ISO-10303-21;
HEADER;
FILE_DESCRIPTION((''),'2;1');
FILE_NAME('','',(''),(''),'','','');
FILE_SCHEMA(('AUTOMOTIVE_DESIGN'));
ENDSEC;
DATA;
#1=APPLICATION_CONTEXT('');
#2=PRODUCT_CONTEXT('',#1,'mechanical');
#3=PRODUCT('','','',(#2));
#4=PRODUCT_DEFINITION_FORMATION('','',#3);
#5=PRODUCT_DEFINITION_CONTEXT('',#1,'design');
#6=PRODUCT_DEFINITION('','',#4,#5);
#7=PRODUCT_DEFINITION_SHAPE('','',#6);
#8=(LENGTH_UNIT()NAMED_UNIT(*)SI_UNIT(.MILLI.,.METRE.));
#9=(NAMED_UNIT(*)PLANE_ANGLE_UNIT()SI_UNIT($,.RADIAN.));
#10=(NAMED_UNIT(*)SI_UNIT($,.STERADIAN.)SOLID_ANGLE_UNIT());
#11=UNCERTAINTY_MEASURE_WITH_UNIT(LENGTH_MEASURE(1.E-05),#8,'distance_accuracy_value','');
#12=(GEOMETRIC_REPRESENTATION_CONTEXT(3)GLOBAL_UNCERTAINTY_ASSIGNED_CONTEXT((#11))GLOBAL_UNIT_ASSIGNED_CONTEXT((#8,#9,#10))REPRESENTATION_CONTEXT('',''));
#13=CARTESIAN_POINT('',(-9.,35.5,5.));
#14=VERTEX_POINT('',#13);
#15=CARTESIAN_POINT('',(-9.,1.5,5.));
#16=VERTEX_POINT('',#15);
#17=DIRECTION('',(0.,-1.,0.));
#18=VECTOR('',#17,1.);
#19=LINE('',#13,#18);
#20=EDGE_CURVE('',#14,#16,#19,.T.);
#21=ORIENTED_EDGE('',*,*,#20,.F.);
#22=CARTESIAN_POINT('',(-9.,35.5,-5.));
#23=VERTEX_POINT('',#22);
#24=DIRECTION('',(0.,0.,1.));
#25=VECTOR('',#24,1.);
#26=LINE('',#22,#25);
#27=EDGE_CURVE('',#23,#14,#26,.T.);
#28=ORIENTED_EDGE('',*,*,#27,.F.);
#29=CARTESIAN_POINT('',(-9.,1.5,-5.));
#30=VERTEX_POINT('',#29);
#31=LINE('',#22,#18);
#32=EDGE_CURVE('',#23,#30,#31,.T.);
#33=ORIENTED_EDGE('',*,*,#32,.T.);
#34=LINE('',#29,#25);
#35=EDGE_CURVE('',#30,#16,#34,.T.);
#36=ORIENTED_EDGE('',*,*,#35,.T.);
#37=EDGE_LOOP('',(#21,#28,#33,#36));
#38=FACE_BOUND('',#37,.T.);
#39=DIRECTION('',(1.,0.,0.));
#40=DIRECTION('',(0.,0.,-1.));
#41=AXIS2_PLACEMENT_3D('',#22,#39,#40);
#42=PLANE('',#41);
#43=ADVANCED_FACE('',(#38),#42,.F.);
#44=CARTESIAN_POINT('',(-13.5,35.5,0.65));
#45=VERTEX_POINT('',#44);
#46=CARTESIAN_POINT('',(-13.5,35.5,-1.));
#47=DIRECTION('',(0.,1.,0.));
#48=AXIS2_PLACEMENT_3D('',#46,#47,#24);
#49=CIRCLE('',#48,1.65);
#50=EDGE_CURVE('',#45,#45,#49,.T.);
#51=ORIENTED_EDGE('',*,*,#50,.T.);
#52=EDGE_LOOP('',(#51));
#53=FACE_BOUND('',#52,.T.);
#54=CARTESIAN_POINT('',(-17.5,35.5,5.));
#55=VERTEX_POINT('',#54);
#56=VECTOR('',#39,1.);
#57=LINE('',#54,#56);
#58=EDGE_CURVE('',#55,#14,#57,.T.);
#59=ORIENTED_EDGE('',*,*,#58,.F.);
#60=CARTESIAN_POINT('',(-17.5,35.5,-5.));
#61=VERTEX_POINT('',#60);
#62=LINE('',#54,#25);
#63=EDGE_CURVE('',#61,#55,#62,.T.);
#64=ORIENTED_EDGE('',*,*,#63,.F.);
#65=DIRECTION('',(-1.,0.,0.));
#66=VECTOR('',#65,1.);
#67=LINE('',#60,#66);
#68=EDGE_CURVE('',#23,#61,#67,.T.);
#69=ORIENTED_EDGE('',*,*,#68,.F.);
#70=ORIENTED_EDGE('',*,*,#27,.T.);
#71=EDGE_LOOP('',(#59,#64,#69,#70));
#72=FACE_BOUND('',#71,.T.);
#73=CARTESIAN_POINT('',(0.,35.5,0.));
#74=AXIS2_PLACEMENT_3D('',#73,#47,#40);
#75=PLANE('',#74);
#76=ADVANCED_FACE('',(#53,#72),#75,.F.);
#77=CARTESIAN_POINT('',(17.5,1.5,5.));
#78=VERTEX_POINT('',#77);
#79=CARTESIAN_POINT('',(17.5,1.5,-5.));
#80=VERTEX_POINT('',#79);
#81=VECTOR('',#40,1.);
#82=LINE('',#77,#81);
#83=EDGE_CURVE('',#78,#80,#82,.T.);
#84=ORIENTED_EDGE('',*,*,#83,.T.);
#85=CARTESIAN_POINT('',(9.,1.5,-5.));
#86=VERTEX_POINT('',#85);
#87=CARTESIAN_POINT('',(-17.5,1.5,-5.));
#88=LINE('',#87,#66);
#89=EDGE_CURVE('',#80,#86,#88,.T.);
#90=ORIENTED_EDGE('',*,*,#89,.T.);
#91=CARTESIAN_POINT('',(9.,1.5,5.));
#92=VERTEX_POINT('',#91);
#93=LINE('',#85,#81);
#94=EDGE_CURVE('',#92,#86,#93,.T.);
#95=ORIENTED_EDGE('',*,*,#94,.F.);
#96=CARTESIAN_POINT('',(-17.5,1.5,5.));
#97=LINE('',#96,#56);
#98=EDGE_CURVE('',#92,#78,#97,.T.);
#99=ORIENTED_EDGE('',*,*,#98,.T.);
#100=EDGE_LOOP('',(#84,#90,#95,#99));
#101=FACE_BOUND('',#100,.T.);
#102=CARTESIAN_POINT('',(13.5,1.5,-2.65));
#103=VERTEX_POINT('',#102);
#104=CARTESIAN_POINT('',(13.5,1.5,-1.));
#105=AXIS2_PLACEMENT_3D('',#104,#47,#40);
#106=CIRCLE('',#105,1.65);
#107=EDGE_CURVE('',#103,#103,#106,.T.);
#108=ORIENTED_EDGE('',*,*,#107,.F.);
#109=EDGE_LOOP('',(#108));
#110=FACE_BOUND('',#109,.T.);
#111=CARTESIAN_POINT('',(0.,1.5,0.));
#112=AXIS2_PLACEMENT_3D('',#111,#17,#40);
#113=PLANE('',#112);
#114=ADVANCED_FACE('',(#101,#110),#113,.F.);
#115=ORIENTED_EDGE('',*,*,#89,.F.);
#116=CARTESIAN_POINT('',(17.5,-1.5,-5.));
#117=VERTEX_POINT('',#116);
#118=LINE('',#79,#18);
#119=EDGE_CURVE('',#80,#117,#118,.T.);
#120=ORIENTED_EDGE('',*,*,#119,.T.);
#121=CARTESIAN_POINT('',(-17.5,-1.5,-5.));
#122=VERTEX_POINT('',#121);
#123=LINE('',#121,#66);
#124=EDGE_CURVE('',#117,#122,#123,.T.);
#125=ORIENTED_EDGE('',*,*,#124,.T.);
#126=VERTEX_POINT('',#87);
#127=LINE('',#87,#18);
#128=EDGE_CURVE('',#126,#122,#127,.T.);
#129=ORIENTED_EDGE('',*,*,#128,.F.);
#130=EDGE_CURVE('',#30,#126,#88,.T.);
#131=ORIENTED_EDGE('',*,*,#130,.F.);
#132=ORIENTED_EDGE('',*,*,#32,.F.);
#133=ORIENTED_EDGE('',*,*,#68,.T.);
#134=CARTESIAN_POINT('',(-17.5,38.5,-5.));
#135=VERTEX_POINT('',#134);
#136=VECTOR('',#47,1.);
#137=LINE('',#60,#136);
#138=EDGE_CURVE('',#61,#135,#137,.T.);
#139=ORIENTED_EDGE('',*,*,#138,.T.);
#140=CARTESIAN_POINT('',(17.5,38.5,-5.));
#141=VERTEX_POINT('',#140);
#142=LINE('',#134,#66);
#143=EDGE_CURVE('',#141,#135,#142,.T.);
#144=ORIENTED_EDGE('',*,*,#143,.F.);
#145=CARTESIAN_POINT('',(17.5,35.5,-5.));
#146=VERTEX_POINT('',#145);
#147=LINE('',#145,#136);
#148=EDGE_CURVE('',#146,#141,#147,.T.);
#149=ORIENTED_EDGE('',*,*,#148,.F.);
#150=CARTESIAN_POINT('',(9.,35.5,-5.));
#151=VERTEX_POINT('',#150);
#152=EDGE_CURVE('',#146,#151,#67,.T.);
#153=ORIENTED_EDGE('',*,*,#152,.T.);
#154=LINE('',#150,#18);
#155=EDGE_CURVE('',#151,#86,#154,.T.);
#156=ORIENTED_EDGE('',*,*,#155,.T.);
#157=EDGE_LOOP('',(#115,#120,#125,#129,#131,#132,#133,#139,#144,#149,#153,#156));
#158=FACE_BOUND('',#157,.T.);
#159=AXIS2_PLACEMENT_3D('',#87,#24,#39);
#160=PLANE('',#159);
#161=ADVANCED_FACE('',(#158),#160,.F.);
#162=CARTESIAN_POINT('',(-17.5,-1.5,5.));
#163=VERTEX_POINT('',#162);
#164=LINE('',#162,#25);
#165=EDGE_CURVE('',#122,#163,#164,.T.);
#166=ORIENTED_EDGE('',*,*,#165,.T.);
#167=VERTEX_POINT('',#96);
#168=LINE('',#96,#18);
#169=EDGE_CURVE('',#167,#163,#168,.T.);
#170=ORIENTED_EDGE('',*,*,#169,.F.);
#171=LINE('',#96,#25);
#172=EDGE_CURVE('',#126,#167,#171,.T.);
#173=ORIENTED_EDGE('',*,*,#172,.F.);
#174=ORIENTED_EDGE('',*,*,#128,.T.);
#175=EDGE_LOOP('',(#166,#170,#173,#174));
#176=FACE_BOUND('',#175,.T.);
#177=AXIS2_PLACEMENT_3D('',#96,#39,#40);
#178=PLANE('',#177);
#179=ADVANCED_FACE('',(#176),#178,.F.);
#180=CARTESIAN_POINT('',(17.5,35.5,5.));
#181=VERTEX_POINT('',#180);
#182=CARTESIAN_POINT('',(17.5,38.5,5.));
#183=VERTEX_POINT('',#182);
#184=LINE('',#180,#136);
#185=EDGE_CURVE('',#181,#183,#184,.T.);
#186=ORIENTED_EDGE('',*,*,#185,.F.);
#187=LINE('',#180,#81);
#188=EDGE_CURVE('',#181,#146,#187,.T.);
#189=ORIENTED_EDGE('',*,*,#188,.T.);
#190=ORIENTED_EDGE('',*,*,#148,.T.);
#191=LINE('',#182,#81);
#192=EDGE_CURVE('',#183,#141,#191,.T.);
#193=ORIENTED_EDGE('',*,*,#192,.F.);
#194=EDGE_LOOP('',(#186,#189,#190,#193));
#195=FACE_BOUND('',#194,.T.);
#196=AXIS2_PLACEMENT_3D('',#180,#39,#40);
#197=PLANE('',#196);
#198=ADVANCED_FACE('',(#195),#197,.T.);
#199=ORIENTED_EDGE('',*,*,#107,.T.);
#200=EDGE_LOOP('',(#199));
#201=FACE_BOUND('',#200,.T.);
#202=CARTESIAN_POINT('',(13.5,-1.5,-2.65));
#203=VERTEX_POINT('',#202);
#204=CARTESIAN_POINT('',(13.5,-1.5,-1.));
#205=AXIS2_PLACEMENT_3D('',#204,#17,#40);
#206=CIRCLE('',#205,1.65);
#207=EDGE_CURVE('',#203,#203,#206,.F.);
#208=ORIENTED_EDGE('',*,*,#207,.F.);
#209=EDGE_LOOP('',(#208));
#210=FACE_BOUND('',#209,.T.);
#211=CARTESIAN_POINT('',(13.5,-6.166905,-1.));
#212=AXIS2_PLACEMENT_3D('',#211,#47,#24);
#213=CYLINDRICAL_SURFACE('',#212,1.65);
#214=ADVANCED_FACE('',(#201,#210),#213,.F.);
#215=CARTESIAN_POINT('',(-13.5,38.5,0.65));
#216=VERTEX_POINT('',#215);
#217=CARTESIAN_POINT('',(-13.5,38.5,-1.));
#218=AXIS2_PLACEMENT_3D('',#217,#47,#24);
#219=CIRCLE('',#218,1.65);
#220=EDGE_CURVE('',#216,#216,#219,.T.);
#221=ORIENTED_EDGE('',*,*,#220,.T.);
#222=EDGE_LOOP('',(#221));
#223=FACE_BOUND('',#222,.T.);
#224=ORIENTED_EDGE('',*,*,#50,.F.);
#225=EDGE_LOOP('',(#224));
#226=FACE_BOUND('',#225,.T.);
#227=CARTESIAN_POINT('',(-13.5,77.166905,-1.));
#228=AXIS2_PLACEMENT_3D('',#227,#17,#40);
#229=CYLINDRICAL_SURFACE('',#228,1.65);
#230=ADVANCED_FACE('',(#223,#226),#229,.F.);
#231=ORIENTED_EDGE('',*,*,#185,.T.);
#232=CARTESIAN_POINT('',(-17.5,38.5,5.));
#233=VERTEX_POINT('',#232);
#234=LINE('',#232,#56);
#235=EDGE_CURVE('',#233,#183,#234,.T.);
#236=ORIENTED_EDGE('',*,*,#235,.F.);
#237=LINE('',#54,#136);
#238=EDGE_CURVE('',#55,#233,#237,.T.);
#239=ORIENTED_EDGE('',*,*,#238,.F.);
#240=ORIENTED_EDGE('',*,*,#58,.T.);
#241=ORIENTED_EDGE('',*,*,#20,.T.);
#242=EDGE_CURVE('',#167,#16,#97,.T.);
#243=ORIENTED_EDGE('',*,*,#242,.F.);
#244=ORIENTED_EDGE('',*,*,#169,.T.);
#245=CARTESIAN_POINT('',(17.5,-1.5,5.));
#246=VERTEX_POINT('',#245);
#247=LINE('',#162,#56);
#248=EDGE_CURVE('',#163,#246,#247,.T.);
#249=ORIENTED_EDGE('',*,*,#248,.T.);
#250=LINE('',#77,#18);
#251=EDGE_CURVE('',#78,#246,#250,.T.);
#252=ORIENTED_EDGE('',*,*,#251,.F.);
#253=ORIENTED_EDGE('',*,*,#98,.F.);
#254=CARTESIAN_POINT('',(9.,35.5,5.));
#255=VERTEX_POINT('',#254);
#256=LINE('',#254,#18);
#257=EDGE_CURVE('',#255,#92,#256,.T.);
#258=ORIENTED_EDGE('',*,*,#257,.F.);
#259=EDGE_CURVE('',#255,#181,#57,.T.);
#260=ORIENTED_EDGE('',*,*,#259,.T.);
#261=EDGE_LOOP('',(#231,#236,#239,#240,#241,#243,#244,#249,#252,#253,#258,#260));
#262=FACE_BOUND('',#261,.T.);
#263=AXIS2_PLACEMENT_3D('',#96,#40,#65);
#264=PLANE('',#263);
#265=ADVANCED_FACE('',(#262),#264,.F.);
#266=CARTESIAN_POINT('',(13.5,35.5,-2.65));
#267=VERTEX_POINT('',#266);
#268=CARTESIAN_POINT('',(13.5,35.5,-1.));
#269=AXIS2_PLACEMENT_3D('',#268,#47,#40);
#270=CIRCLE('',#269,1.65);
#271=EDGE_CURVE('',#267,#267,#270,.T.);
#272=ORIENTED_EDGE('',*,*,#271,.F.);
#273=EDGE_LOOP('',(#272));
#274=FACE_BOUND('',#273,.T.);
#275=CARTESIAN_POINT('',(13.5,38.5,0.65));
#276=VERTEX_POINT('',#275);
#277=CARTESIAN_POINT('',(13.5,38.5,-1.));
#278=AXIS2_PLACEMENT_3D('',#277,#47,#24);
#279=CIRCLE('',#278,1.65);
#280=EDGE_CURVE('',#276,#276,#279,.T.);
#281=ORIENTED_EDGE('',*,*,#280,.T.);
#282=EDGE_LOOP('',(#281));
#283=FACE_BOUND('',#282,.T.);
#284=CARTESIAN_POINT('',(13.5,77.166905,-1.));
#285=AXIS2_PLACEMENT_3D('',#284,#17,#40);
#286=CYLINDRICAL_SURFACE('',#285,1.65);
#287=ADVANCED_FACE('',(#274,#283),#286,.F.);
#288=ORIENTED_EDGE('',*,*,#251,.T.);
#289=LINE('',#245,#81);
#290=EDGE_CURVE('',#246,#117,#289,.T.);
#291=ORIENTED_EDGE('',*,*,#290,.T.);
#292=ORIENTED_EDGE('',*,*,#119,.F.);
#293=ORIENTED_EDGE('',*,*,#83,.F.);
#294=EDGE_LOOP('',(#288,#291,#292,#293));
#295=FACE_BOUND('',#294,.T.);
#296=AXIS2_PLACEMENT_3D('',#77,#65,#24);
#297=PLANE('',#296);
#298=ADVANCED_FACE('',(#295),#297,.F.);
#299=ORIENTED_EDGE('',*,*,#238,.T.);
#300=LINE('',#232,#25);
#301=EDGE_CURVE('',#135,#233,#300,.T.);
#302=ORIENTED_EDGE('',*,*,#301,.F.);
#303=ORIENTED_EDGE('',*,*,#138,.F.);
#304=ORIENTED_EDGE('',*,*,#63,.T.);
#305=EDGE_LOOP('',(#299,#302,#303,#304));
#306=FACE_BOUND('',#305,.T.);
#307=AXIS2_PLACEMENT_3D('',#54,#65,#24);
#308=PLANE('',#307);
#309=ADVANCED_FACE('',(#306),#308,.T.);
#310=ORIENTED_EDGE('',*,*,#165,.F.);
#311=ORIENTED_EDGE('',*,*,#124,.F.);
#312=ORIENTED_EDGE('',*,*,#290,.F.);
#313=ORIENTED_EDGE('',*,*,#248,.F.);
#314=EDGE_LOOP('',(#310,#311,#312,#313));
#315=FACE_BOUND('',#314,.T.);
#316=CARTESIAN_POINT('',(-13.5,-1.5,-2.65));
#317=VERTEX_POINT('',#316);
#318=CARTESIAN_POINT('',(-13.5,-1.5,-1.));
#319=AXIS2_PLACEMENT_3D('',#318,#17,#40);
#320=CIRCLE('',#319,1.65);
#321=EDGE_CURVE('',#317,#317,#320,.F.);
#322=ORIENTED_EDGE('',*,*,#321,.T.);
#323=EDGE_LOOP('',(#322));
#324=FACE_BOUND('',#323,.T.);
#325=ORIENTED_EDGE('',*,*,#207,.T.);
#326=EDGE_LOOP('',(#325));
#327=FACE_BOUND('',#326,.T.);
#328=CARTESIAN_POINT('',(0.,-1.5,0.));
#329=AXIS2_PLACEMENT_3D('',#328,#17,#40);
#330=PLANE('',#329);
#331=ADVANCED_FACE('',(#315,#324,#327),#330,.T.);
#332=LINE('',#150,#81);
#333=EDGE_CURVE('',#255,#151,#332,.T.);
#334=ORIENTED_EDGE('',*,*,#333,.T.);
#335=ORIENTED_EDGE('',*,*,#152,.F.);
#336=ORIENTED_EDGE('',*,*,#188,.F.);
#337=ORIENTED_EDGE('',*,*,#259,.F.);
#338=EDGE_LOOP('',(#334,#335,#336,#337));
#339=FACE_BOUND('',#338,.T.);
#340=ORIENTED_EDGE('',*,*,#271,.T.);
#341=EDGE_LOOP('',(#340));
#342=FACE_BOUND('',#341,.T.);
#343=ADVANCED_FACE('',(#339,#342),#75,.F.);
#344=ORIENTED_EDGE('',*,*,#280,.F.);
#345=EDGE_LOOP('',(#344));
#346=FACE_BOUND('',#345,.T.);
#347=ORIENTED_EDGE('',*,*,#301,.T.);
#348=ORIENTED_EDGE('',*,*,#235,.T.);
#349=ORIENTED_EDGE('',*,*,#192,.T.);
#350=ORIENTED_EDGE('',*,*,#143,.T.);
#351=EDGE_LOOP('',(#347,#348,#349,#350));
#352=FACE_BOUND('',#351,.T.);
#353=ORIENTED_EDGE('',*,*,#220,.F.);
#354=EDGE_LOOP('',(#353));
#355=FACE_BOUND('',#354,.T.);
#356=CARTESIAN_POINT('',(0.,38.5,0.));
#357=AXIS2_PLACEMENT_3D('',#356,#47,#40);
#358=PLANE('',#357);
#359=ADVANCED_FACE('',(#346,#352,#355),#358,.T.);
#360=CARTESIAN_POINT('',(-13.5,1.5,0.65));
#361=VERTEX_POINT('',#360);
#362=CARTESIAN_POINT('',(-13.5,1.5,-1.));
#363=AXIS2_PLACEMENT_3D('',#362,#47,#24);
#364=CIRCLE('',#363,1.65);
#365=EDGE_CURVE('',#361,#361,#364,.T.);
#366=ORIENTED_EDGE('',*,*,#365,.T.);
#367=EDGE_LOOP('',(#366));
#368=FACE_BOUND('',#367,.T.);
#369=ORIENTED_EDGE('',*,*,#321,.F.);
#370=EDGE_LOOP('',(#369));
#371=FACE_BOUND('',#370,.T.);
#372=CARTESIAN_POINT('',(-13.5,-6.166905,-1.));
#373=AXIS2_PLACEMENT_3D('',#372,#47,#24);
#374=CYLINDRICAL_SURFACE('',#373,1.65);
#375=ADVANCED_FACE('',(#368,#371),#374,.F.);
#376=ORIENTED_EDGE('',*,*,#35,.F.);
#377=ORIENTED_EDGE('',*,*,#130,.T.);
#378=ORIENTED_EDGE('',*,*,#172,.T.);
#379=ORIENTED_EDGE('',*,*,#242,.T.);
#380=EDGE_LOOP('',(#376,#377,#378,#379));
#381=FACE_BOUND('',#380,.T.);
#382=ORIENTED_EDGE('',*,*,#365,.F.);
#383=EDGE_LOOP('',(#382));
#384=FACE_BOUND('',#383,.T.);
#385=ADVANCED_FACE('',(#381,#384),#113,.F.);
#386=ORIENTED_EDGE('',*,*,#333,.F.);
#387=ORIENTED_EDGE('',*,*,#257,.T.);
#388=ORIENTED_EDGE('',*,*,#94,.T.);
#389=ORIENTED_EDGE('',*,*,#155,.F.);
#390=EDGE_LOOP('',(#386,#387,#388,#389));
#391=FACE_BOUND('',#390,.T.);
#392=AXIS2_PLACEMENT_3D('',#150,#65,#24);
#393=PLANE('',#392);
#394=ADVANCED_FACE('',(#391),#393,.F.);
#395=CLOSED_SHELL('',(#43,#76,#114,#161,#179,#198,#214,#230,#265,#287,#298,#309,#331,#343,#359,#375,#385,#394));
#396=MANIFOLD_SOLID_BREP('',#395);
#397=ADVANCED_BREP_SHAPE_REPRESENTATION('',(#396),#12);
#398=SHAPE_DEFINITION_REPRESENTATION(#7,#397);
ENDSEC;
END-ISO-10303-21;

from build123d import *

# Parameters (mm, degrees)
SKETCH1_W           = 35
SKETCH1_H           = 10
BOSS_EXTRUDE1_DEPTH = 1.5
SKETCH2_R           = 1.65
CUT_EXTRUDE1_DEPTH  = 3
SKETCH3_W           = 18
SKETCH3_H           = 10
BOSS_EXTRUDE2_DEPTH = 34


with BuildPart() as part:
    # Sketch1 → Boss-Extrude1 (new body, symmetric)
    with BuildSketch(Plane(origin=(0, 0, 0), x_dir=(1, 0, 0), z_dir=(0, 1, 0))):
        Rectangle(SKETCH1_W, SKETCH1_H)
    boss_extrude1 = extrude(amount=BOSS_EXTRUDE1_DEPTH, both=True)

    # Sketch2 → Cut-Extrude1 (cut)
    with BuildSketch(Plane(origin=(0, 1.5, 0), x_dir=(1, 0, 0), z_dir=(0, 1, 0))):
        with Locations((-13.5, 1)):
            Circle(SKETCH2_R)
        with Locations((13.5, 1)):
            Circle(SKETCH2_R)
    cut_extrude1 = extrude(amount=-CUT_EXTRUDE1_DEPTH, mode=Mode.SUBTRACT)

    # Sketch3 → Boss-Extrude2 (add)
    with BuildSketch(Plane(origin=(0, 1.5, 0), x_dir=(1, 0, 0), z_dir=(0, 1, 0))):
        Rectangle(SKETCH3_W, SKETCH3_H)
    extrude(amount=BOSS_EXTRUDE2_DEPTH)

    # Mirror1: Boss-Extrude1, Cut-Extrude1 across plane
    add(boss_extrude1.mirror(Plane.ZX.offset(18.5)))
    add(cut_extrude1.mirror(Plane.ZX.offset(18.5)), mode=Mode.SUBTRACT)


solid = part.part
